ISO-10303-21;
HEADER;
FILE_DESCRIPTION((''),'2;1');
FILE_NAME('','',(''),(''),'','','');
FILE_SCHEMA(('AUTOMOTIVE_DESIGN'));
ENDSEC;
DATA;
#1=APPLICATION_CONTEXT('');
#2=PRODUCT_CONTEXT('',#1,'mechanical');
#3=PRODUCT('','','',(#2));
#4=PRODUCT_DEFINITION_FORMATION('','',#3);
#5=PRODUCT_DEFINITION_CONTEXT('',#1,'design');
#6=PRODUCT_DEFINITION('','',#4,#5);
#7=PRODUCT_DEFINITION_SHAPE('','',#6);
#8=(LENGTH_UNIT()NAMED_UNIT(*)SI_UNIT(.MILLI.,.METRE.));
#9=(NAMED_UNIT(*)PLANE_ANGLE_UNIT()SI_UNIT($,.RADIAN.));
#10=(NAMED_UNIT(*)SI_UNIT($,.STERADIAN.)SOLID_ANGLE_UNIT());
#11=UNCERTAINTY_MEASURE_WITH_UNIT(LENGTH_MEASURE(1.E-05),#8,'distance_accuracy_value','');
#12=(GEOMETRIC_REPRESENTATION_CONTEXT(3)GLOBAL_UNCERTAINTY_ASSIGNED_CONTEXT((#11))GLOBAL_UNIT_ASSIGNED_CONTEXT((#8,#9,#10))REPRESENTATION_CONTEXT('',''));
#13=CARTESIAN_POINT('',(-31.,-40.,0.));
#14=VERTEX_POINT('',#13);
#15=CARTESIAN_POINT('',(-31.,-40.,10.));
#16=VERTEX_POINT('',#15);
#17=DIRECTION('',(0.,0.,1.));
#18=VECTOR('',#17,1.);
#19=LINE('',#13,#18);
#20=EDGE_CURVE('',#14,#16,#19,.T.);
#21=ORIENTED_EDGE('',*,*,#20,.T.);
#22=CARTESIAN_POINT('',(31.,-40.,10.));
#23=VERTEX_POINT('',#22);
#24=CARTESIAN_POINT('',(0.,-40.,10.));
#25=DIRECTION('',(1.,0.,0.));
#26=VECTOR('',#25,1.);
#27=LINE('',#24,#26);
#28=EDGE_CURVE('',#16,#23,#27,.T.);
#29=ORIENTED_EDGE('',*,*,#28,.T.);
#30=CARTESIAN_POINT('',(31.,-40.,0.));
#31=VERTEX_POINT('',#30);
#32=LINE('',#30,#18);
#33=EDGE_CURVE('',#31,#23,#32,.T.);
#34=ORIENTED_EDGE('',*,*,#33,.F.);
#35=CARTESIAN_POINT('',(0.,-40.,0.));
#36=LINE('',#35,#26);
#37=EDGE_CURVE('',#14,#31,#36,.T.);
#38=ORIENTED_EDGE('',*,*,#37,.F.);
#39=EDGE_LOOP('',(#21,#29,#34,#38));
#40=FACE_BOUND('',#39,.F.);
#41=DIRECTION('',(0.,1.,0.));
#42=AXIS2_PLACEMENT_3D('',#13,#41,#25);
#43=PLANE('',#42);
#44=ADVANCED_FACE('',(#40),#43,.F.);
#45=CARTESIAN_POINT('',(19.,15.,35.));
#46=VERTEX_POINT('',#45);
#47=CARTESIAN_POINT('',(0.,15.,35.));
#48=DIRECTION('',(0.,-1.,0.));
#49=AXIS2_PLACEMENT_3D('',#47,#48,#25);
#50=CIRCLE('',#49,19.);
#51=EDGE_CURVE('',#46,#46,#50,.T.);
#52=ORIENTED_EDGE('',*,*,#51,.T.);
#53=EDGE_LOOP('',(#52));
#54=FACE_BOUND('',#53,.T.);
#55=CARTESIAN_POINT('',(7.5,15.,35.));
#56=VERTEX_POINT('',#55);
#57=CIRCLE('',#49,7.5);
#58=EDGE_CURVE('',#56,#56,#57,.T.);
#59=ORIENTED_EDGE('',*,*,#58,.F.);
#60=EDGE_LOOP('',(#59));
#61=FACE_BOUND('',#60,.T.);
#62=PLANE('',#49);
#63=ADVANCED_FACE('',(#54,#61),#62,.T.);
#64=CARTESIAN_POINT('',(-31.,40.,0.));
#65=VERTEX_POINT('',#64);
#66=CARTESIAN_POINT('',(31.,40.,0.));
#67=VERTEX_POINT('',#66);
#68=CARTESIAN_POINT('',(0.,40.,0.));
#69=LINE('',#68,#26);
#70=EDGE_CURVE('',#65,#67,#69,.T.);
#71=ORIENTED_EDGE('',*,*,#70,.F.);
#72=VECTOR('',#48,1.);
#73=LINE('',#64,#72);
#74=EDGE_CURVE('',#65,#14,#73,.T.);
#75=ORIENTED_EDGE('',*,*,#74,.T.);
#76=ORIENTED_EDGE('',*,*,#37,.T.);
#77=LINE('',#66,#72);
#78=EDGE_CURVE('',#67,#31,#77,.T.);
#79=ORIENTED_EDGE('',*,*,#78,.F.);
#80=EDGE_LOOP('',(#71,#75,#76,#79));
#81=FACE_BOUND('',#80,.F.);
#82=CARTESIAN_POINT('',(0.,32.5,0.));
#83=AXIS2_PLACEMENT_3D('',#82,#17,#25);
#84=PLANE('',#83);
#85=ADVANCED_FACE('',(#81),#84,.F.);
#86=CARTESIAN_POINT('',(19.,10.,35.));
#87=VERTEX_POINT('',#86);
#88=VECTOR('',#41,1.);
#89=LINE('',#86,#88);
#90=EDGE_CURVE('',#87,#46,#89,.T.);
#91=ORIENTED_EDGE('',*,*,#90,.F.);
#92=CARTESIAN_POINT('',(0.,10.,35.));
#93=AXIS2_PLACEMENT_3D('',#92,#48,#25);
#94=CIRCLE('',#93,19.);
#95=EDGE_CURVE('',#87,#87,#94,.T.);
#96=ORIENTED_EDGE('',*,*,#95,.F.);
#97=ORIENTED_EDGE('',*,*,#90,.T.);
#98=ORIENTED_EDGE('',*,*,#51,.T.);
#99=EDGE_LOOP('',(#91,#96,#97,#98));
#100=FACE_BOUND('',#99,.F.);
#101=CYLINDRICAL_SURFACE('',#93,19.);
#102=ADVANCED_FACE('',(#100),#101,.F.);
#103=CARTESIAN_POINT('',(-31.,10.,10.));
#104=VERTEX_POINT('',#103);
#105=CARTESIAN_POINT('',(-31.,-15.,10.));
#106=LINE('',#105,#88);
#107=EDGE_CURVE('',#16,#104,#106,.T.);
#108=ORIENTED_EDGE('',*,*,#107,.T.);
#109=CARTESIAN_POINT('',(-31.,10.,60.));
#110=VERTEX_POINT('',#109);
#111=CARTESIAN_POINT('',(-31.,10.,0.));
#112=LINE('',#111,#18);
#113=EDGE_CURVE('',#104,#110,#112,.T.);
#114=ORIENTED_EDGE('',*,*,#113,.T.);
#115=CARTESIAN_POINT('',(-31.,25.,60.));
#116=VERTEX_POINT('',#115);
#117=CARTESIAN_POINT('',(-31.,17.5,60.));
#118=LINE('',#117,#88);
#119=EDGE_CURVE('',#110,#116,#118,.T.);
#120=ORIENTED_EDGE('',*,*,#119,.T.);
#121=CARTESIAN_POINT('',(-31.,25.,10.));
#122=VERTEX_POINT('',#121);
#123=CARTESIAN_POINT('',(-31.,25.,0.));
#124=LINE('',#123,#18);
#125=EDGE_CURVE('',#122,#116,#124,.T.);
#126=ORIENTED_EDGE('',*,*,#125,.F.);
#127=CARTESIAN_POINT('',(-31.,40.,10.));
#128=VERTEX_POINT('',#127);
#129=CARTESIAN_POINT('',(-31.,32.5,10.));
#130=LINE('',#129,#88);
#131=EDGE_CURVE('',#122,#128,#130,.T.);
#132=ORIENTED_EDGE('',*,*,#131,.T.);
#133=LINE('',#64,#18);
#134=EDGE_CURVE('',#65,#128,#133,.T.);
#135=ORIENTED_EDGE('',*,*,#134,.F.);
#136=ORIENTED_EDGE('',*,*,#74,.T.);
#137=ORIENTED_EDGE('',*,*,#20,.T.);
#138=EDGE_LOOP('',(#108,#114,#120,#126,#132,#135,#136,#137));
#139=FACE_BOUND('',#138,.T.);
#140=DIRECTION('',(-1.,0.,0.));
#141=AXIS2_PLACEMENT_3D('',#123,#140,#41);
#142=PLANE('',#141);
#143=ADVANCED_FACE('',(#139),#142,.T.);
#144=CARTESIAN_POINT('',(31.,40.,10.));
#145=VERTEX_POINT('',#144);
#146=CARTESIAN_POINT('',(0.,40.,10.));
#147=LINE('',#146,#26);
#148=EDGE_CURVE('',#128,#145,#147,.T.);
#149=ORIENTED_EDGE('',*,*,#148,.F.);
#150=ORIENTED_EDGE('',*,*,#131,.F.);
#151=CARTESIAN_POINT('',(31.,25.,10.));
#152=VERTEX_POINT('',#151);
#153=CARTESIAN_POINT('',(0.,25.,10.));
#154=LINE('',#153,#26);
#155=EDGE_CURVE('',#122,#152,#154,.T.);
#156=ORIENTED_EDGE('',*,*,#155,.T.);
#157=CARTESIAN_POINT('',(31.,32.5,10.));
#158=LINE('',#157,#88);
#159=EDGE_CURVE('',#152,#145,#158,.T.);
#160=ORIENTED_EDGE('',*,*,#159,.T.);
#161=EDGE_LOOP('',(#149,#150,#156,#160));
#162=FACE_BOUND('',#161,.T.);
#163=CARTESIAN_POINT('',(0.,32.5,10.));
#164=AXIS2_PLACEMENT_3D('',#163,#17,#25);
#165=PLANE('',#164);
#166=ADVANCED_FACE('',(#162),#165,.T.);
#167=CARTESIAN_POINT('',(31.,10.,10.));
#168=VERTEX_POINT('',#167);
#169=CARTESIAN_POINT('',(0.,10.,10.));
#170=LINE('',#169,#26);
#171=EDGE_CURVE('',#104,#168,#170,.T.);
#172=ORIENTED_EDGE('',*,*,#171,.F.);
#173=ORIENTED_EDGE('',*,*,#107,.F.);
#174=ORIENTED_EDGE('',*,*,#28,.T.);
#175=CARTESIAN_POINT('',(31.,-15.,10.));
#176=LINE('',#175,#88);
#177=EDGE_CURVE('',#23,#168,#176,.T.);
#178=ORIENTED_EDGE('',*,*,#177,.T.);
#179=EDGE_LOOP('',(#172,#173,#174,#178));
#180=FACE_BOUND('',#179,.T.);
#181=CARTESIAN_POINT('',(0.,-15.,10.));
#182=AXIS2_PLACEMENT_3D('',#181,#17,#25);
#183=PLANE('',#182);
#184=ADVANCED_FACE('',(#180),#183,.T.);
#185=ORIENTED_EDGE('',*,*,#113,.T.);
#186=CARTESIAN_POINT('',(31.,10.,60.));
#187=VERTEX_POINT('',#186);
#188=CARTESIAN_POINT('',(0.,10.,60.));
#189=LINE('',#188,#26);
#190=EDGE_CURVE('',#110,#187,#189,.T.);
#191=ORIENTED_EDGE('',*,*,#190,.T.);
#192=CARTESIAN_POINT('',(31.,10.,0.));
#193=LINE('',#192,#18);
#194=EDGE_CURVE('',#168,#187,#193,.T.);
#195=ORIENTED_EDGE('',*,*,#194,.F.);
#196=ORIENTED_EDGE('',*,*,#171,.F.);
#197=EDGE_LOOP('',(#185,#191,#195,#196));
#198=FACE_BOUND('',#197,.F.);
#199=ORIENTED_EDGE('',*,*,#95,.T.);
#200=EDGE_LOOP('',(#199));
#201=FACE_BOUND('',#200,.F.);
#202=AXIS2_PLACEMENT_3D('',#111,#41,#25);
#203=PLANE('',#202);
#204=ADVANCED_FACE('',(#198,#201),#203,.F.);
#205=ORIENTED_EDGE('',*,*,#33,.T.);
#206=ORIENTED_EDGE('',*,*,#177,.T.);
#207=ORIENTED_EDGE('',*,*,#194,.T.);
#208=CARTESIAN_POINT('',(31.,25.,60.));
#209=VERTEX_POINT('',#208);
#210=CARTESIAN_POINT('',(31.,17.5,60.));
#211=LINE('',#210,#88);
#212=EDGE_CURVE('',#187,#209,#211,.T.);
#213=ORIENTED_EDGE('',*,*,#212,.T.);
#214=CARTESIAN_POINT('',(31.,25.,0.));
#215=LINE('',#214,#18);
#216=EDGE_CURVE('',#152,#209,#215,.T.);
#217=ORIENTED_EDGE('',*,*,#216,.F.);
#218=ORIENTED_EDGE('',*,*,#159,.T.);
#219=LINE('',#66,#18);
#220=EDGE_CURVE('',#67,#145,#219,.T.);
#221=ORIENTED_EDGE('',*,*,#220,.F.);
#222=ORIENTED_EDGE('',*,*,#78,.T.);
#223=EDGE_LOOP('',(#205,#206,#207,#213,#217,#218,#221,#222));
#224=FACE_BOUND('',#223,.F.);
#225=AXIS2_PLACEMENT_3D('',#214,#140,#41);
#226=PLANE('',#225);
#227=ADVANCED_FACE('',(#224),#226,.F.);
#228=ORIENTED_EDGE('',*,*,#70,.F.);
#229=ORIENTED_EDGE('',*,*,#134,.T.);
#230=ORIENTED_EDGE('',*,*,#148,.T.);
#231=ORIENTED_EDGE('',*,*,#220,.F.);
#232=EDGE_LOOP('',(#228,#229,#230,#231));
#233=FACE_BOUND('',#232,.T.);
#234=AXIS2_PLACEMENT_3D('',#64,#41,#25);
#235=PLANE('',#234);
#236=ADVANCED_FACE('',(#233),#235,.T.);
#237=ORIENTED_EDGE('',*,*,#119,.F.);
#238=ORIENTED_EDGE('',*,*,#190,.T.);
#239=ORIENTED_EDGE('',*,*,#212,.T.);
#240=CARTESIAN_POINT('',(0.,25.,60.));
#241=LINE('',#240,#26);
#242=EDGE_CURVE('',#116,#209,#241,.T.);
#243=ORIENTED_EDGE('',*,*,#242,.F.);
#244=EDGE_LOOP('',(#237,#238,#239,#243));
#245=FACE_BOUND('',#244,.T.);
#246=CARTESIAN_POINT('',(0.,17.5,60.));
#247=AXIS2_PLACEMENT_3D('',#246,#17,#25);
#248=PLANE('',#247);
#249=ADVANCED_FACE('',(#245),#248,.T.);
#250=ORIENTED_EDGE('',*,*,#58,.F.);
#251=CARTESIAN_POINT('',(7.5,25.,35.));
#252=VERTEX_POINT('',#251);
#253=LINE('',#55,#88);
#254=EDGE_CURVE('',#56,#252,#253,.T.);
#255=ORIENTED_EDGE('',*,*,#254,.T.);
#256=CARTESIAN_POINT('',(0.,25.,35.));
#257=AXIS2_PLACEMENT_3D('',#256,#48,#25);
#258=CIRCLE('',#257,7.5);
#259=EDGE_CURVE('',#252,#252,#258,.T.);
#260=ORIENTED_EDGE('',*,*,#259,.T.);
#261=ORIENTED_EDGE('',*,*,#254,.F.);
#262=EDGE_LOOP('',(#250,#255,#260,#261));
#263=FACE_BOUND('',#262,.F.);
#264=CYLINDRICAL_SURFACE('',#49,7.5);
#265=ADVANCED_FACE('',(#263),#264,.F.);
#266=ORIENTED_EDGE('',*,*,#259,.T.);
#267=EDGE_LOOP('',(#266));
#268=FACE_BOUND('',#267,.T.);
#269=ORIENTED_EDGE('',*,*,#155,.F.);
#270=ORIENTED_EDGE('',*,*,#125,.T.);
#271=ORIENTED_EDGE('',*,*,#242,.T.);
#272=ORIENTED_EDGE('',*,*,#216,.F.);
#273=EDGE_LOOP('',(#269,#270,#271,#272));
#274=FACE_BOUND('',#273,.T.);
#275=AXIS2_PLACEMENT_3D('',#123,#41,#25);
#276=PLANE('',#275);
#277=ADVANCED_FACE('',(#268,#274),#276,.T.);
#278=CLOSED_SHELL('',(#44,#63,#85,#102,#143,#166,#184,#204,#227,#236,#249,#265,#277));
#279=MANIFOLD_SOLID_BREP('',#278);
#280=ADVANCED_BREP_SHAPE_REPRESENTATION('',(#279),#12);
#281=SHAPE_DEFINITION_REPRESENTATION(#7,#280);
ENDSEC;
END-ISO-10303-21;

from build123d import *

# Parameters (mm, degrees)
F0_W     = 62
F0_H     = 15
F1_DEPTH = 60
F0_H_2   = 50
F2_DEPTH = 10
F3_R     = 19
F4_DEPTH = 5
F5_R     = 7.5
F6_DEPTH = 25.001


with BuildPart() as f1:
    # F0 (on Top) → F1 (new body)
    with BuildSketch(Plane.XY):
        with Locations((0, 17.5)):
            Rectangle(F0_W, F0_H)
    extrude(amount=F1_DEPTH)

    # F0 (on Top) → F2 (join)
    with BuildSketch(Plane.XY):
        with Locations((0, 32.5)):
            Rectangle(F0_W, F0_H)
        with Locations((0, -15)):
            Rectangle(F0_W, F0_H_2)
    extrude(amount=F2_DEPTH)

    # F3 (on face) → F4 (cut)
    with BuildSketch(Plane.XZ.offset(-10)):
        with Locations((0, 35)):
            Circle(F3_R)
    extrude(amount=-F4_DEPTH, mode=Mode.SUBTRACT)

    # F5 (on face) → F6 (cut, through all)
    with BuildSketch(Plane.XZ.offset(-15)):
        with Locations((0, 35)):
            Circle(F5_R)
    extrude(amount=-F6_DEPTH, mode=Mode.SUBTRACT)


solid = f1.part
